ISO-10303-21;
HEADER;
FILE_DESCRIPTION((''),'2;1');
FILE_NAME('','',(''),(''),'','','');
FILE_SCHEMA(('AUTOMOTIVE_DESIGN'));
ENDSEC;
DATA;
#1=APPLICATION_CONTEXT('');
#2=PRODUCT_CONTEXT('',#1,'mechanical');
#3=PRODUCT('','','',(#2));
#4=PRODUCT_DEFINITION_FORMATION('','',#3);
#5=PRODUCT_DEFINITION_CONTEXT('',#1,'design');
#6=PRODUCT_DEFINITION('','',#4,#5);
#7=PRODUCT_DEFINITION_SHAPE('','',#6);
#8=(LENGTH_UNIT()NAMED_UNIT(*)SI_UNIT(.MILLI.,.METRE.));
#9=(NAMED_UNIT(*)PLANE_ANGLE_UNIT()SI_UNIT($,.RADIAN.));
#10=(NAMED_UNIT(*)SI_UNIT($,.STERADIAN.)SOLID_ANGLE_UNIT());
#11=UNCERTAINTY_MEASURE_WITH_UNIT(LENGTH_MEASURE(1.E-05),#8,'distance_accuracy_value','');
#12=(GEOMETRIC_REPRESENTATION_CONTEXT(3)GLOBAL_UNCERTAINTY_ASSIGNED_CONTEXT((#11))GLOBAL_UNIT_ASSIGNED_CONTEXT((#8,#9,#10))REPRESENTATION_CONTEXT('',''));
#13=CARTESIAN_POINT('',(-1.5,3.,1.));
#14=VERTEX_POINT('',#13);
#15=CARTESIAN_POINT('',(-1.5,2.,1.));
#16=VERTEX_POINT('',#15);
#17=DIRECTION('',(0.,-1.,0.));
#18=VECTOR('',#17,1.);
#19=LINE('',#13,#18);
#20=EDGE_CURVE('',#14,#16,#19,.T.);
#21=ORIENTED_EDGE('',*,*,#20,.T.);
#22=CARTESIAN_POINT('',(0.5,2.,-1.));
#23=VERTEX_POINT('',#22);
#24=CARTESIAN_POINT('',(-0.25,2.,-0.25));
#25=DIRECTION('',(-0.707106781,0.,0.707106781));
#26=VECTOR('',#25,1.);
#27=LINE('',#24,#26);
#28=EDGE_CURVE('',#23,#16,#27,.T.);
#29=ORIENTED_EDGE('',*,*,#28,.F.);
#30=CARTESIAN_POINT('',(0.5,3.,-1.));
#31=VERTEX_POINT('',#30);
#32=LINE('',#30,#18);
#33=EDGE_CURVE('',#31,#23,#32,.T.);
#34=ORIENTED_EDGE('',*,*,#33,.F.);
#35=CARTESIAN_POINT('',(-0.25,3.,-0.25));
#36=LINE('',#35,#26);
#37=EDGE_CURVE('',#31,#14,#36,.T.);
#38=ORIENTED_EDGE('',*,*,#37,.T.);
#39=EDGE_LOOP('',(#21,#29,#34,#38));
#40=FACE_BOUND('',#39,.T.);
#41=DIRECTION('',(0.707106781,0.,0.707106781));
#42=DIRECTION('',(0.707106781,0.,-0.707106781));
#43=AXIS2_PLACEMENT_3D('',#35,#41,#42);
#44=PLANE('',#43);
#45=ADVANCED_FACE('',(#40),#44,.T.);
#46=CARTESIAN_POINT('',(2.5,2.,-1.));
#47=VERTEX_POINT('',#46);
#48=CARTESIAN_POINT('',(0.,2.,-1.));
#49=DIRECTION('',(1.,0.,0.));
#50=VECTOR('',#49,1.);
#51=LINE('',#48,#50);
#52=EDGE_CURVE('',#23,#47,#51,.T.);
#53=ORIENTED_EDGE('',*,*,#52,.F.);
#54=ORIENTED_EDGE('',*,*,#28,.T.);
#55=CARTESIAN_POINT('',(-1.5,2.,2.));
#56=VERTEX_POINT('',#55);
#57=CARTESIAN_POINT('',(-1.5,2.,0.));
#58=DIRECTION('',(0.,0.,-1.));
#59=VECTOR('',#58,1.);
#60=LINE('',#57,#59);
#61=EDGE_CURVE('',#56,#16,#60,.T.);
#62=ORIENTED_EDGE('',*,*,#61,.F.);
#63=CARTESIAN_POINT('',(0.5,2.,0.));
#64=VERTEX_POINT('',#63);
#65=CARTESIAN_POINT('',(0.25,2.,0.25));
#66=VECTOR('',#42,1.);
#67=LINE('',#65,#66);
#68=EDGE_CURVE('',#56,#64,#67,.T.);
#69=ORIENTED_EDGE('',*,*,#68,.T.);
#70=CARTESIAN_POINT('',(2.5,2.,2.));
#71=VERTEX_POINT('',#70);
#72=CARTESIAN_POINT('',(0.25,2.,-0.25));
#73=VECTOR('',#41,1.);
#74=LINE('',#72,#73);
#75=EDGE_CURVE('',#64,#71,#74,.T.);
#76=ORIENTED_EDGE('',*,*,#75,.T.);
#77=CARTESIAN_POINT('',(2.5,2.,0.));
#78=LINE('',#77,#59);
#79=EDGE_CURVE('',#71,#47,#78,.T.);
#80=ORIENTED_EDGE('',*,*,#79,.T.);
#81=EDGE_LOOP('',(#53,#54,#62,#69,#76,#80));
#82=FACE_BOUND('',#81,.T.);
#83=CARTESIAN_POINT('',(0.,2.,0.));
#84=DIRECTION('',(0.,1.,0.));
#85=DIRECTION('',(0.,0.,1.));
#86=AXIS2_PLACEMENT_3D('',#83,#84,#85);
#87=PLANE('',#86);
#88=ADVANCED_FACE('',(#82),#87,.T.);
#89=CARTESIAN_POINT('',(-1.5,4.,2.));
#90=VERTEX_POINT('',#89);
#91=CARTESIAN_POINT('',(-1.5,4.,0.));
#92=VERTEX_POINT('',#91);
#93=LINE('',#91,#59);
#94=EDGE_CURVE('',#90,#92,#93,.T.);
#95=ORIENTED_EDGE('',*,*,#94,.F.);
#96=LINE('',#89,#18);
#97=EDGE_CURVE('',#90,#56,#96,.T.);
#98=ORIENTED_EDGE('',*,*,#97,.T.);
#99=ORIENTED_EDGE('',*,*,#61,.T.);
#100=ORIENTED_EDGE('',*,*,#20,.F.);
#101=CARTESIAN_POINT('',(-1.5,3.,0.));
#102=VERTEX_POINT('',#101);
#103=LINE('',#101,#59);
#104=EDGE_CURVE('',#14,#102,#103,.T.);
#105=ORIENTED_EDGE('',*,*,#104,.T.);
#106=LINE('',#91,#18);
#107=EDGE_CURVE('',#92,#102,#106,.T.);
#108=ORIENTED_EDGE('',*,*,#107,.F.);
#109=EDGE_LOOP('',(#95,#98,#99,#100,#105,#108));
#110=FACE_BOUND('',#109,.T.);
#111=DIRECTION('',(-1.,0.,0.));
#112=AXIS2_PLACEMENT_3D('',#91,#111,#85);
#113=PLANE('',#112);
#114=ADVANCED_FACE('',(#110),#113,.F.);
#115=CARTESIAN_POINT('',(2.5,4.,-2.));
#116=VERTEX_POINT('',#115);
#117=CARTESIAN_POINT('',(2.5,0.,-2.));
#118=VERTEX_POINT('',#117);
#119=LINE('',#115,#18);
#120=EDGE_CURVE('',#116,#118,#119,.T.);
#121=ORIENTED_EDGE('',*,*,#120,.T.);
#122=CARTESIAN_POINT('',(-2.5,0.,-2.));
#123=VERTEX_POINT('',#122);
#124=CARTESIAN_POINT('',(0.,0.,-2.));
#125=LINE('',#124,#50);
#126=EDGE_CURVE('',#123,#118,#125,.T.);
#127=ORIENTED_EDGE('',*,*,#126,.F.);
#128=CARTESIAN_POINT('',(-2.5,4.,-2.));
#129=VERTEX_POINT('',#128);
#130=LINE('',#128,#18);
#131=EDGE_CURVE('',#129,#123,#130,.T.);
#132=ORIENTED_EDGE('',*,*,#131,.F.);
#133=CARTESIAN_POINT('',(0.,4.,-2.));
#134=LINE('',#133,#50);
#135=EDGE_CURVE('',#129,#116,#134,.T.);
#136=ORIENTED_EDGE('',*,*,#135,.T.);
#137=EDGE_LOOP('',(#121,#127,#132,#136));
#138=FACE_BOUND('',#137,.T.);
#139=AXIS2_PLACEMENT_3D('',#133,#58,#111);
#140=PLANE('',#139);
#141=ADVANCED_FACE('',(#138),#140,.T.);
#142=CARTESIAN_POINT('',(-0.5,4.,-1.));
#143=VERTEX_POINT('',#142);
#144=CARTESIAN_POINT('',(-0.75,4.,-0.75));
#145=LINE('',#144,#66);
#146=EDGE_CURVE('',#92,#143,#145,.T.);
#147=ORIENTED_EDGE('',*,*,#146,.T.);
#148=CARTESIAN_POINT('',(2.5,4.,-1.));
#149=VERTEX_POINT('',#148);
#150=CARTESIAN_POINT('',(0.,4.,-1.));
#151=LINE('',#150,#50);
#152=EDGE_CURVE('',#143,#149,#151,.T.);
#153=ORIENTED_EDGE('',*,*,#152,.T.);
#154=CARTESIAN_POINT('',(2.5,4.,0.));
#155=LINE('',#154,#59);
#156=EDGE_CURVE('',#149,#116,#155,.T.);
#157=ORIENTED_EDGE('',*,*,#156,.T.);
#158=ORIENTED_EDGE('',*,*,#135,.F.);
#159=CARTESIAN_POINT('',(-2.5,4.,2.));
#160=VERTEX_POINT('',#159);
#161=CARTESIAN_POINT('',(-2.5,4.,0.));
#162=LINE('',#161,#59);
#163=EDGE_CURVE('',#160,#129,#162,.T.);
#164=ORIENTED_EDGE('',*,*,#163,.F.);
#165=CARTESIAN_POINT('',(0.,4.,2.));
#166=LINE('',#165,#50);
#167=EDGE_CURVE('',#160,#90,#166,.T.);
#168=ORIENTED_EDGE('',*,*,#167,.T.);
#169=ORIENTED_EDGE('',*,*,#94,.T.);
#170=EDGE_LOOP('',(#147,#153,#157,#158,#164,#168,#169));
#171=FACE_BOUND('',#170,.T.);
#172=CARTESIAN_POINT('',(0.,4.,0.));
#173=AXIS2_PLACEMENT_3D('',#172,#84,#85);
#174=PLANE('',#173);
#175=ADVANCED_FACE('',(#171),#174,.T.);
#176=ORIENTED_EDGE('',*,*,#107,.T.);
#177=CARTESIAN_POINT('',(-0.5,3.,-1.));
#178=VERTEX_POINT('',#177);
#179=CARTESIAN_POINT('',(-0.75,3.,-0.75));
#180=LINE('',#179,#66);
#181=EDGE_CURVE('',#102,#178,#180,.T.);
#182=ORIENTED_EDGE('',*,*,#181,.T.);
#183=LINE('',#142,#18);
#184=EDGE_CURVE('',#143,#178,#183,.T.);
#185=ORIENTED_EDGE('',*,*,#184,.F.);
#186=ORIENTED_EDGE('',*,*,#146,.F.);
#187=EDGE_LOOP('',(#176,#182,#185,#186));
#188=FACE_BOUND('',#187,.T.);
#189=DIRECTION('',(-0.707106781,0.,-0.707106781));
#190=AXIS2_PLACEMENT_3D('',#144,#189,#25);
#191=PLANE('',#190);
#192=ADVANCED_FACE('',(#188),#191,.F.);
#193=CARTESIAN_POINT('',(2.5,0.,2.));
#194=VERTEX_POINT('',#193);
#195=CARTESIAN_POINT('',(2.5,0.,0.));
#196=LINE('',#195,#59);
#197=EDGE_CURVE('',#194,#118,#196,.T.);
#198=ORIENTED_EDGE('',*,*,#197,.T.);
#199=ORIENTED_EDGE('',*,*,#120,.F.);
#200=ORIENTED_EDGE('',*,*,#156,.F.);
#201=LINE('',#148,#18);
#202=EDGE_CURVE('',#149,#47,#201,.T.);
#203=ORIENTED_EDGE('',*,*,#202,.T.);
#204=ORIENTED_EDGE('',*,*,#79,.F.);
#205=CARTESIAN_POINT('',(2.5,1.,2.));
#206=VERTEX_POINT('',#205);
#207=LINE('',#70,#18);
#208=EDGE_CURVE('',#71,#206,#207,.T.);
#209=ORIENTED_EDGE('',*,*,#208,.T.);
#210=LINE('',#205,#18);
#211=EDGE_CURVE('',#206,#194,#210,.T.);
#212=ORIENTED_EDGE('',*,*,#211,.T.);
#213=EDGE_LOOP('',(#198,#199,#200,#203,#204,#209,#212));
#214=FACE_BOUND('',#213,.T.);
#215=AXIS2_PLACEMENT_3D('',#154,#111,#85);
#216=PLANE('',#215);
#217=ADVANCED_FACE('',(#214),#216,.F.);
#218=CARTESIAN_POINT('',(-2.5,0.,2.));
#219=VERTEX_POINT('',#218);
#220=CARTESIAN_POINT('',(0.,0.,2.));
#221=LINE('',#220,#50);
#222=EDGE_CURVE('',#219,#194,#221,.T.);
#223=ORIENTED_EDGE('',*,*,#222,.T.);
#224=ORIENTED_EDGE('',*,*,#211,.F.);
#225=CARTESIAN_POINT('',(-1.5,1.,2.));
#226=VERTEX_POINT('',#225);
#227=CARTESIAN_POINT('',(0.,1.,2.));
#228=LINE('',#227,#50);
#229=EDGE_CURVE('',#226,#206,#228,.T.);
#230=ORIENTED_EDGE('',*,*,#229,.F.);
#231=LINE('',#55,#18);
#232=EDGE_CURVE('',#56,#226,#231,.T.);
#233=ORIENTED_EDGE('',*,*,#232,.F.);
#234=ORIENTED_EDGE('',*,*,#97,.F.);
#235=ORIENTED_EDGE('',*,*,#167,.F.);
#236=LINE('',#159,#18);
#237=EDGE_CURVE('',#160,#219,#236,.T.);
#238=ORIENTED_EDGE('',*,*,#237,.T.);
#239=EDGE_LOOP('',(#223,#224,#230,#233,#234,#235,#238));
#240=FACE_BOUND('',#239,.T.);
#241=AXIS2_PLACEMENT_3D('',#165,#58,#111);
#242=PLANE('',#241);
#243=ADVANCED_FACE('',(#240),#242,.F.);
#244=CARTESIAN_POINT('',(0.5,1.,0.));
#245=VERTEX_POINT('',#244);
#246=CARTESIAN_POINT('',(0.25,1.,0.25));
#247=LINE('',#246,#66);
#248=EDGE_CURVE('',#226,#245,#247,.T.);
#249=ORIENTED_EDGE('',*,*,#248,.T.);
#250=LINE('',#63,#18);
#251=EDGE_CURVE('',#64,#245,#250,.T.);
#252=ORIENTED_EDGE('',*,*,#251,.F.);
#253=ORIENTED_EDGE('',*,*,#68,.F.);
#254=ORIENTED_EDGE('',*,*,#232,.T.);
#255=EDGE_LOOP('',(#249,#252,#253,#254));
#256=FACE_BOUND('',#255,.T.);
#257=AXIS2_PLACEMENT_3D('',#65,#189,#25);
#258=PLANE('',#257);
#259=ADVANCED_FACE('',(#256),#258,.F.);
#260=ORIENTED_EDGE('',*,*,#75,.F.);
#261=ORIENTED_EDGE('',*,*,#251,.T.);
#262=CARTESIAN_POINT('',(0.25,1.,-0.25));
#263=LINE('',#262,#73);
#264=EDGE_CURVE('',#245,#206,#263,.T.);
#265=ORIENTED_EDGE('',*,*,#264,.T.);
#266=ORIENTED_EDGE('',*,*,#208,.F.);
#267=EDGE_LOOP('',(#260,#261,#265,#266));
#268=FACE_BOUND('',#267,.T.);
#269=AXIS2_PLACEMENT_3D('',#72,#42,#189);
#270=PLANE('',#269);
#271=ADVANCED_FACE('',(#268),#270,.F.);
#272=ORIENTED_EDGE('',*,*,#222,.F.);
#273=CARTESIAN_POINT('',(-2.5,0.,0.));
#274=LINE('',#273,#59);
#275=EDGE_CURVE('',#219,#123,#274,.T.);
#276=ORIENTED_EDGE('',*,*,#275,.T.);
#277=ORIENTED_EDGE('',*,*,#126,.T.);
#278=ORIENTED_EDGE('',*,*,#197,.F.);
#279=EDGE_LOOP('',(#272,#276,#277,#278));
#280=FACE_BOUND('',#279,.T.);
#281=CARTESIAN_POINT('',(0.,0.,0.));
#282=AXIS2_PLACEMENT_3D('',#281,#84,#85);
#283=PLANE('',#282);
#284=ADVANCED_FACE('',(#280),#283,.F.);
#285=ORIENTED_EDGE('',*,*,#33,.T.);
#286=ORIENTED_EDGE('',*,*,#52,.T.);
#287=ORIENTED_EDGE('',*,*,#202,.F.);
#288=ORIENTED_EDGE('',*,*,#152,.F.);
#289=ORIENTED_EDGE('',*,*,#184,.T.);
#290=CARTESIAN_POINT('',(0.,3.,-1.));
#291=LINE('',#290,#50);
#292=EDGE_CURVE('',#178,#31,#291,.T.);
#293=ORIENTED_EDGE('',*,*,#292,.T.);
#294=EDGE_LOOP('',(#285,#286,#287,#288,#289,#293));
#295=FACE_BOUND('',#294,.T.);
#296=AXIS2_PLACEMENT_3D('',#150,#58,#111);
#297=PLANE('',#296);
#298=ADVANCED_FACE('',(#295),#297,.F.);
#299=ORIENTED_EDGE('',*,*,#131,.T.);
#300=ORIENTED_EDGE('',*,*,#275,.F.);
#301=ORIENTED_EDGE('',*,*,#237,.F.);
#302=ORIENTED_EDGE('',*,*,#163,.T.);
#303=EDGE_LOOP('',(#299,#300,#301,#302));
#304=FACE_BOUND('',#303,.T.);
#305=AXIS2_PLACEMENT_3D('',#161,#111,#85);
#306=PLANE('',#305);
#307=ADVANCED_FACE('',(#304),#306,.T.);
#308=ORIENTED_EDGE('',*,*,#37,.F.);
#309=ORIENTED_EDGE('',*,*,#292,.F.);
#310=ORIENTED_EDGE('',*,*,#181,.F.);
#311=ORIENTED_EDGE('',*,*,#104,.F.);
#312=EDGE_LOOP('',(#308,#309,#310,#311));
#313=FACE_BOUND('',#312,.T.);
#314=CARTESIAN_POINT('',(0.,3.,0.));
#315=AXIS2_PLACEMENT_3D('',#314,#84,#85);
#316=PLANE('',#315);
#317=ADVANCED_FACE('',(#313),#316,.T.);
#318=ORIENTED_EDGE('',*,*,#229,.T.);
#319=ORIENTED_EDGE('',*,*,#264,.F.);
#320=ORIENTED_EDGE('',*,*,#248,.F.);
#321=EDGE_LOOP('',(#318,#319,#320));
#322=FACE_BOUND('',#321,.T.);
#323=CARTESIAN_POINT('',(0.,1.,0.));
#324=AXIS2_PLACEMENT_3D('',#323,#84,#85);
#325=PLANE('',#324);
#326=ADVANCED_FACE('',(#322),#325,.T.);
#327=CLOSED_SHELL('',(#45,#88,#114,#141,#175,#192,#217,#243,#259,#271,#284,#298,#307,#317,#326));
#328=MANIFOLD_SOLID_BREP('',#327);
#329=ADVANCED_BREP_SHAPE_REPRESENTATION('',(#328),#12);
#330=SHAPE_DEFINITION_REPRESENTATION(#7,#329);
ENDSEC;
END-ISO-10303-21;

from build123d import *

# Parameters (mm, degrees)
EXTRUDE_2_DEPTH = 4
EXTRUDE_3_DEPTH = 3
EXTRUDE_4_DEPTH = 2
EXTRUDE_5_DEPTH = 1


with BuildPart() as part:
    # 草圖1 → 填料-伸長2 (new body)
    with BuildSketch(Plane(origin=(0, 0, 0), x_dir=(1, 0, 0), z_dir=(0, 1, 0))):
        Polygon((-2.5, -2), (-1.5, -2), (-1.5, 0), (-0.5, 1), (2.5, 1), (2.5, 2), (-2.5, 2), align=None)
    extrude(amount=EXTRUDE_2_DEPTH)

    # 草圖1<4> → 填料-伸長3 (add)
    with BuildSketch(Plane(origin=(0, 0, 0), x_dir=(1, 0, 0), z_dir=(0, 1, 0))):
        Polygon((-1.5, 0), (-1.5, -1), (0.5, 1), (-0.5, 1), align=None)
    extrude(amount=EXTRUDE_3_DEPTH)

    # 草圖1<5> → 填料-伸長4 (add)
    with BuildSketch(Plane(origin=(0, 0, 0), x_dir=(1, 0, 0), z_dir=(0, 1, 0))):
        Polygon((-1.5, -1), (-1.5, -2), (0.5, 0), (2.5, -2), (2.5, 1), (0.5, 1), align=None)
    extrude(amount=EXTRUDE_4_DEPTH)

    # 草圖1<6> → 填料-伸長5 (add)
    with BuildSketch(Plane(origin=(0, 0, 0), x_dir=(1, 0, 0), z_dir=(0, 1, 0))):
        Polygon((0.5, 0), (-1.5, -2), (2.5, -2), align=None)
    extrude(amount=EXTRUDE_5_DEPTH)


solid = part.part
